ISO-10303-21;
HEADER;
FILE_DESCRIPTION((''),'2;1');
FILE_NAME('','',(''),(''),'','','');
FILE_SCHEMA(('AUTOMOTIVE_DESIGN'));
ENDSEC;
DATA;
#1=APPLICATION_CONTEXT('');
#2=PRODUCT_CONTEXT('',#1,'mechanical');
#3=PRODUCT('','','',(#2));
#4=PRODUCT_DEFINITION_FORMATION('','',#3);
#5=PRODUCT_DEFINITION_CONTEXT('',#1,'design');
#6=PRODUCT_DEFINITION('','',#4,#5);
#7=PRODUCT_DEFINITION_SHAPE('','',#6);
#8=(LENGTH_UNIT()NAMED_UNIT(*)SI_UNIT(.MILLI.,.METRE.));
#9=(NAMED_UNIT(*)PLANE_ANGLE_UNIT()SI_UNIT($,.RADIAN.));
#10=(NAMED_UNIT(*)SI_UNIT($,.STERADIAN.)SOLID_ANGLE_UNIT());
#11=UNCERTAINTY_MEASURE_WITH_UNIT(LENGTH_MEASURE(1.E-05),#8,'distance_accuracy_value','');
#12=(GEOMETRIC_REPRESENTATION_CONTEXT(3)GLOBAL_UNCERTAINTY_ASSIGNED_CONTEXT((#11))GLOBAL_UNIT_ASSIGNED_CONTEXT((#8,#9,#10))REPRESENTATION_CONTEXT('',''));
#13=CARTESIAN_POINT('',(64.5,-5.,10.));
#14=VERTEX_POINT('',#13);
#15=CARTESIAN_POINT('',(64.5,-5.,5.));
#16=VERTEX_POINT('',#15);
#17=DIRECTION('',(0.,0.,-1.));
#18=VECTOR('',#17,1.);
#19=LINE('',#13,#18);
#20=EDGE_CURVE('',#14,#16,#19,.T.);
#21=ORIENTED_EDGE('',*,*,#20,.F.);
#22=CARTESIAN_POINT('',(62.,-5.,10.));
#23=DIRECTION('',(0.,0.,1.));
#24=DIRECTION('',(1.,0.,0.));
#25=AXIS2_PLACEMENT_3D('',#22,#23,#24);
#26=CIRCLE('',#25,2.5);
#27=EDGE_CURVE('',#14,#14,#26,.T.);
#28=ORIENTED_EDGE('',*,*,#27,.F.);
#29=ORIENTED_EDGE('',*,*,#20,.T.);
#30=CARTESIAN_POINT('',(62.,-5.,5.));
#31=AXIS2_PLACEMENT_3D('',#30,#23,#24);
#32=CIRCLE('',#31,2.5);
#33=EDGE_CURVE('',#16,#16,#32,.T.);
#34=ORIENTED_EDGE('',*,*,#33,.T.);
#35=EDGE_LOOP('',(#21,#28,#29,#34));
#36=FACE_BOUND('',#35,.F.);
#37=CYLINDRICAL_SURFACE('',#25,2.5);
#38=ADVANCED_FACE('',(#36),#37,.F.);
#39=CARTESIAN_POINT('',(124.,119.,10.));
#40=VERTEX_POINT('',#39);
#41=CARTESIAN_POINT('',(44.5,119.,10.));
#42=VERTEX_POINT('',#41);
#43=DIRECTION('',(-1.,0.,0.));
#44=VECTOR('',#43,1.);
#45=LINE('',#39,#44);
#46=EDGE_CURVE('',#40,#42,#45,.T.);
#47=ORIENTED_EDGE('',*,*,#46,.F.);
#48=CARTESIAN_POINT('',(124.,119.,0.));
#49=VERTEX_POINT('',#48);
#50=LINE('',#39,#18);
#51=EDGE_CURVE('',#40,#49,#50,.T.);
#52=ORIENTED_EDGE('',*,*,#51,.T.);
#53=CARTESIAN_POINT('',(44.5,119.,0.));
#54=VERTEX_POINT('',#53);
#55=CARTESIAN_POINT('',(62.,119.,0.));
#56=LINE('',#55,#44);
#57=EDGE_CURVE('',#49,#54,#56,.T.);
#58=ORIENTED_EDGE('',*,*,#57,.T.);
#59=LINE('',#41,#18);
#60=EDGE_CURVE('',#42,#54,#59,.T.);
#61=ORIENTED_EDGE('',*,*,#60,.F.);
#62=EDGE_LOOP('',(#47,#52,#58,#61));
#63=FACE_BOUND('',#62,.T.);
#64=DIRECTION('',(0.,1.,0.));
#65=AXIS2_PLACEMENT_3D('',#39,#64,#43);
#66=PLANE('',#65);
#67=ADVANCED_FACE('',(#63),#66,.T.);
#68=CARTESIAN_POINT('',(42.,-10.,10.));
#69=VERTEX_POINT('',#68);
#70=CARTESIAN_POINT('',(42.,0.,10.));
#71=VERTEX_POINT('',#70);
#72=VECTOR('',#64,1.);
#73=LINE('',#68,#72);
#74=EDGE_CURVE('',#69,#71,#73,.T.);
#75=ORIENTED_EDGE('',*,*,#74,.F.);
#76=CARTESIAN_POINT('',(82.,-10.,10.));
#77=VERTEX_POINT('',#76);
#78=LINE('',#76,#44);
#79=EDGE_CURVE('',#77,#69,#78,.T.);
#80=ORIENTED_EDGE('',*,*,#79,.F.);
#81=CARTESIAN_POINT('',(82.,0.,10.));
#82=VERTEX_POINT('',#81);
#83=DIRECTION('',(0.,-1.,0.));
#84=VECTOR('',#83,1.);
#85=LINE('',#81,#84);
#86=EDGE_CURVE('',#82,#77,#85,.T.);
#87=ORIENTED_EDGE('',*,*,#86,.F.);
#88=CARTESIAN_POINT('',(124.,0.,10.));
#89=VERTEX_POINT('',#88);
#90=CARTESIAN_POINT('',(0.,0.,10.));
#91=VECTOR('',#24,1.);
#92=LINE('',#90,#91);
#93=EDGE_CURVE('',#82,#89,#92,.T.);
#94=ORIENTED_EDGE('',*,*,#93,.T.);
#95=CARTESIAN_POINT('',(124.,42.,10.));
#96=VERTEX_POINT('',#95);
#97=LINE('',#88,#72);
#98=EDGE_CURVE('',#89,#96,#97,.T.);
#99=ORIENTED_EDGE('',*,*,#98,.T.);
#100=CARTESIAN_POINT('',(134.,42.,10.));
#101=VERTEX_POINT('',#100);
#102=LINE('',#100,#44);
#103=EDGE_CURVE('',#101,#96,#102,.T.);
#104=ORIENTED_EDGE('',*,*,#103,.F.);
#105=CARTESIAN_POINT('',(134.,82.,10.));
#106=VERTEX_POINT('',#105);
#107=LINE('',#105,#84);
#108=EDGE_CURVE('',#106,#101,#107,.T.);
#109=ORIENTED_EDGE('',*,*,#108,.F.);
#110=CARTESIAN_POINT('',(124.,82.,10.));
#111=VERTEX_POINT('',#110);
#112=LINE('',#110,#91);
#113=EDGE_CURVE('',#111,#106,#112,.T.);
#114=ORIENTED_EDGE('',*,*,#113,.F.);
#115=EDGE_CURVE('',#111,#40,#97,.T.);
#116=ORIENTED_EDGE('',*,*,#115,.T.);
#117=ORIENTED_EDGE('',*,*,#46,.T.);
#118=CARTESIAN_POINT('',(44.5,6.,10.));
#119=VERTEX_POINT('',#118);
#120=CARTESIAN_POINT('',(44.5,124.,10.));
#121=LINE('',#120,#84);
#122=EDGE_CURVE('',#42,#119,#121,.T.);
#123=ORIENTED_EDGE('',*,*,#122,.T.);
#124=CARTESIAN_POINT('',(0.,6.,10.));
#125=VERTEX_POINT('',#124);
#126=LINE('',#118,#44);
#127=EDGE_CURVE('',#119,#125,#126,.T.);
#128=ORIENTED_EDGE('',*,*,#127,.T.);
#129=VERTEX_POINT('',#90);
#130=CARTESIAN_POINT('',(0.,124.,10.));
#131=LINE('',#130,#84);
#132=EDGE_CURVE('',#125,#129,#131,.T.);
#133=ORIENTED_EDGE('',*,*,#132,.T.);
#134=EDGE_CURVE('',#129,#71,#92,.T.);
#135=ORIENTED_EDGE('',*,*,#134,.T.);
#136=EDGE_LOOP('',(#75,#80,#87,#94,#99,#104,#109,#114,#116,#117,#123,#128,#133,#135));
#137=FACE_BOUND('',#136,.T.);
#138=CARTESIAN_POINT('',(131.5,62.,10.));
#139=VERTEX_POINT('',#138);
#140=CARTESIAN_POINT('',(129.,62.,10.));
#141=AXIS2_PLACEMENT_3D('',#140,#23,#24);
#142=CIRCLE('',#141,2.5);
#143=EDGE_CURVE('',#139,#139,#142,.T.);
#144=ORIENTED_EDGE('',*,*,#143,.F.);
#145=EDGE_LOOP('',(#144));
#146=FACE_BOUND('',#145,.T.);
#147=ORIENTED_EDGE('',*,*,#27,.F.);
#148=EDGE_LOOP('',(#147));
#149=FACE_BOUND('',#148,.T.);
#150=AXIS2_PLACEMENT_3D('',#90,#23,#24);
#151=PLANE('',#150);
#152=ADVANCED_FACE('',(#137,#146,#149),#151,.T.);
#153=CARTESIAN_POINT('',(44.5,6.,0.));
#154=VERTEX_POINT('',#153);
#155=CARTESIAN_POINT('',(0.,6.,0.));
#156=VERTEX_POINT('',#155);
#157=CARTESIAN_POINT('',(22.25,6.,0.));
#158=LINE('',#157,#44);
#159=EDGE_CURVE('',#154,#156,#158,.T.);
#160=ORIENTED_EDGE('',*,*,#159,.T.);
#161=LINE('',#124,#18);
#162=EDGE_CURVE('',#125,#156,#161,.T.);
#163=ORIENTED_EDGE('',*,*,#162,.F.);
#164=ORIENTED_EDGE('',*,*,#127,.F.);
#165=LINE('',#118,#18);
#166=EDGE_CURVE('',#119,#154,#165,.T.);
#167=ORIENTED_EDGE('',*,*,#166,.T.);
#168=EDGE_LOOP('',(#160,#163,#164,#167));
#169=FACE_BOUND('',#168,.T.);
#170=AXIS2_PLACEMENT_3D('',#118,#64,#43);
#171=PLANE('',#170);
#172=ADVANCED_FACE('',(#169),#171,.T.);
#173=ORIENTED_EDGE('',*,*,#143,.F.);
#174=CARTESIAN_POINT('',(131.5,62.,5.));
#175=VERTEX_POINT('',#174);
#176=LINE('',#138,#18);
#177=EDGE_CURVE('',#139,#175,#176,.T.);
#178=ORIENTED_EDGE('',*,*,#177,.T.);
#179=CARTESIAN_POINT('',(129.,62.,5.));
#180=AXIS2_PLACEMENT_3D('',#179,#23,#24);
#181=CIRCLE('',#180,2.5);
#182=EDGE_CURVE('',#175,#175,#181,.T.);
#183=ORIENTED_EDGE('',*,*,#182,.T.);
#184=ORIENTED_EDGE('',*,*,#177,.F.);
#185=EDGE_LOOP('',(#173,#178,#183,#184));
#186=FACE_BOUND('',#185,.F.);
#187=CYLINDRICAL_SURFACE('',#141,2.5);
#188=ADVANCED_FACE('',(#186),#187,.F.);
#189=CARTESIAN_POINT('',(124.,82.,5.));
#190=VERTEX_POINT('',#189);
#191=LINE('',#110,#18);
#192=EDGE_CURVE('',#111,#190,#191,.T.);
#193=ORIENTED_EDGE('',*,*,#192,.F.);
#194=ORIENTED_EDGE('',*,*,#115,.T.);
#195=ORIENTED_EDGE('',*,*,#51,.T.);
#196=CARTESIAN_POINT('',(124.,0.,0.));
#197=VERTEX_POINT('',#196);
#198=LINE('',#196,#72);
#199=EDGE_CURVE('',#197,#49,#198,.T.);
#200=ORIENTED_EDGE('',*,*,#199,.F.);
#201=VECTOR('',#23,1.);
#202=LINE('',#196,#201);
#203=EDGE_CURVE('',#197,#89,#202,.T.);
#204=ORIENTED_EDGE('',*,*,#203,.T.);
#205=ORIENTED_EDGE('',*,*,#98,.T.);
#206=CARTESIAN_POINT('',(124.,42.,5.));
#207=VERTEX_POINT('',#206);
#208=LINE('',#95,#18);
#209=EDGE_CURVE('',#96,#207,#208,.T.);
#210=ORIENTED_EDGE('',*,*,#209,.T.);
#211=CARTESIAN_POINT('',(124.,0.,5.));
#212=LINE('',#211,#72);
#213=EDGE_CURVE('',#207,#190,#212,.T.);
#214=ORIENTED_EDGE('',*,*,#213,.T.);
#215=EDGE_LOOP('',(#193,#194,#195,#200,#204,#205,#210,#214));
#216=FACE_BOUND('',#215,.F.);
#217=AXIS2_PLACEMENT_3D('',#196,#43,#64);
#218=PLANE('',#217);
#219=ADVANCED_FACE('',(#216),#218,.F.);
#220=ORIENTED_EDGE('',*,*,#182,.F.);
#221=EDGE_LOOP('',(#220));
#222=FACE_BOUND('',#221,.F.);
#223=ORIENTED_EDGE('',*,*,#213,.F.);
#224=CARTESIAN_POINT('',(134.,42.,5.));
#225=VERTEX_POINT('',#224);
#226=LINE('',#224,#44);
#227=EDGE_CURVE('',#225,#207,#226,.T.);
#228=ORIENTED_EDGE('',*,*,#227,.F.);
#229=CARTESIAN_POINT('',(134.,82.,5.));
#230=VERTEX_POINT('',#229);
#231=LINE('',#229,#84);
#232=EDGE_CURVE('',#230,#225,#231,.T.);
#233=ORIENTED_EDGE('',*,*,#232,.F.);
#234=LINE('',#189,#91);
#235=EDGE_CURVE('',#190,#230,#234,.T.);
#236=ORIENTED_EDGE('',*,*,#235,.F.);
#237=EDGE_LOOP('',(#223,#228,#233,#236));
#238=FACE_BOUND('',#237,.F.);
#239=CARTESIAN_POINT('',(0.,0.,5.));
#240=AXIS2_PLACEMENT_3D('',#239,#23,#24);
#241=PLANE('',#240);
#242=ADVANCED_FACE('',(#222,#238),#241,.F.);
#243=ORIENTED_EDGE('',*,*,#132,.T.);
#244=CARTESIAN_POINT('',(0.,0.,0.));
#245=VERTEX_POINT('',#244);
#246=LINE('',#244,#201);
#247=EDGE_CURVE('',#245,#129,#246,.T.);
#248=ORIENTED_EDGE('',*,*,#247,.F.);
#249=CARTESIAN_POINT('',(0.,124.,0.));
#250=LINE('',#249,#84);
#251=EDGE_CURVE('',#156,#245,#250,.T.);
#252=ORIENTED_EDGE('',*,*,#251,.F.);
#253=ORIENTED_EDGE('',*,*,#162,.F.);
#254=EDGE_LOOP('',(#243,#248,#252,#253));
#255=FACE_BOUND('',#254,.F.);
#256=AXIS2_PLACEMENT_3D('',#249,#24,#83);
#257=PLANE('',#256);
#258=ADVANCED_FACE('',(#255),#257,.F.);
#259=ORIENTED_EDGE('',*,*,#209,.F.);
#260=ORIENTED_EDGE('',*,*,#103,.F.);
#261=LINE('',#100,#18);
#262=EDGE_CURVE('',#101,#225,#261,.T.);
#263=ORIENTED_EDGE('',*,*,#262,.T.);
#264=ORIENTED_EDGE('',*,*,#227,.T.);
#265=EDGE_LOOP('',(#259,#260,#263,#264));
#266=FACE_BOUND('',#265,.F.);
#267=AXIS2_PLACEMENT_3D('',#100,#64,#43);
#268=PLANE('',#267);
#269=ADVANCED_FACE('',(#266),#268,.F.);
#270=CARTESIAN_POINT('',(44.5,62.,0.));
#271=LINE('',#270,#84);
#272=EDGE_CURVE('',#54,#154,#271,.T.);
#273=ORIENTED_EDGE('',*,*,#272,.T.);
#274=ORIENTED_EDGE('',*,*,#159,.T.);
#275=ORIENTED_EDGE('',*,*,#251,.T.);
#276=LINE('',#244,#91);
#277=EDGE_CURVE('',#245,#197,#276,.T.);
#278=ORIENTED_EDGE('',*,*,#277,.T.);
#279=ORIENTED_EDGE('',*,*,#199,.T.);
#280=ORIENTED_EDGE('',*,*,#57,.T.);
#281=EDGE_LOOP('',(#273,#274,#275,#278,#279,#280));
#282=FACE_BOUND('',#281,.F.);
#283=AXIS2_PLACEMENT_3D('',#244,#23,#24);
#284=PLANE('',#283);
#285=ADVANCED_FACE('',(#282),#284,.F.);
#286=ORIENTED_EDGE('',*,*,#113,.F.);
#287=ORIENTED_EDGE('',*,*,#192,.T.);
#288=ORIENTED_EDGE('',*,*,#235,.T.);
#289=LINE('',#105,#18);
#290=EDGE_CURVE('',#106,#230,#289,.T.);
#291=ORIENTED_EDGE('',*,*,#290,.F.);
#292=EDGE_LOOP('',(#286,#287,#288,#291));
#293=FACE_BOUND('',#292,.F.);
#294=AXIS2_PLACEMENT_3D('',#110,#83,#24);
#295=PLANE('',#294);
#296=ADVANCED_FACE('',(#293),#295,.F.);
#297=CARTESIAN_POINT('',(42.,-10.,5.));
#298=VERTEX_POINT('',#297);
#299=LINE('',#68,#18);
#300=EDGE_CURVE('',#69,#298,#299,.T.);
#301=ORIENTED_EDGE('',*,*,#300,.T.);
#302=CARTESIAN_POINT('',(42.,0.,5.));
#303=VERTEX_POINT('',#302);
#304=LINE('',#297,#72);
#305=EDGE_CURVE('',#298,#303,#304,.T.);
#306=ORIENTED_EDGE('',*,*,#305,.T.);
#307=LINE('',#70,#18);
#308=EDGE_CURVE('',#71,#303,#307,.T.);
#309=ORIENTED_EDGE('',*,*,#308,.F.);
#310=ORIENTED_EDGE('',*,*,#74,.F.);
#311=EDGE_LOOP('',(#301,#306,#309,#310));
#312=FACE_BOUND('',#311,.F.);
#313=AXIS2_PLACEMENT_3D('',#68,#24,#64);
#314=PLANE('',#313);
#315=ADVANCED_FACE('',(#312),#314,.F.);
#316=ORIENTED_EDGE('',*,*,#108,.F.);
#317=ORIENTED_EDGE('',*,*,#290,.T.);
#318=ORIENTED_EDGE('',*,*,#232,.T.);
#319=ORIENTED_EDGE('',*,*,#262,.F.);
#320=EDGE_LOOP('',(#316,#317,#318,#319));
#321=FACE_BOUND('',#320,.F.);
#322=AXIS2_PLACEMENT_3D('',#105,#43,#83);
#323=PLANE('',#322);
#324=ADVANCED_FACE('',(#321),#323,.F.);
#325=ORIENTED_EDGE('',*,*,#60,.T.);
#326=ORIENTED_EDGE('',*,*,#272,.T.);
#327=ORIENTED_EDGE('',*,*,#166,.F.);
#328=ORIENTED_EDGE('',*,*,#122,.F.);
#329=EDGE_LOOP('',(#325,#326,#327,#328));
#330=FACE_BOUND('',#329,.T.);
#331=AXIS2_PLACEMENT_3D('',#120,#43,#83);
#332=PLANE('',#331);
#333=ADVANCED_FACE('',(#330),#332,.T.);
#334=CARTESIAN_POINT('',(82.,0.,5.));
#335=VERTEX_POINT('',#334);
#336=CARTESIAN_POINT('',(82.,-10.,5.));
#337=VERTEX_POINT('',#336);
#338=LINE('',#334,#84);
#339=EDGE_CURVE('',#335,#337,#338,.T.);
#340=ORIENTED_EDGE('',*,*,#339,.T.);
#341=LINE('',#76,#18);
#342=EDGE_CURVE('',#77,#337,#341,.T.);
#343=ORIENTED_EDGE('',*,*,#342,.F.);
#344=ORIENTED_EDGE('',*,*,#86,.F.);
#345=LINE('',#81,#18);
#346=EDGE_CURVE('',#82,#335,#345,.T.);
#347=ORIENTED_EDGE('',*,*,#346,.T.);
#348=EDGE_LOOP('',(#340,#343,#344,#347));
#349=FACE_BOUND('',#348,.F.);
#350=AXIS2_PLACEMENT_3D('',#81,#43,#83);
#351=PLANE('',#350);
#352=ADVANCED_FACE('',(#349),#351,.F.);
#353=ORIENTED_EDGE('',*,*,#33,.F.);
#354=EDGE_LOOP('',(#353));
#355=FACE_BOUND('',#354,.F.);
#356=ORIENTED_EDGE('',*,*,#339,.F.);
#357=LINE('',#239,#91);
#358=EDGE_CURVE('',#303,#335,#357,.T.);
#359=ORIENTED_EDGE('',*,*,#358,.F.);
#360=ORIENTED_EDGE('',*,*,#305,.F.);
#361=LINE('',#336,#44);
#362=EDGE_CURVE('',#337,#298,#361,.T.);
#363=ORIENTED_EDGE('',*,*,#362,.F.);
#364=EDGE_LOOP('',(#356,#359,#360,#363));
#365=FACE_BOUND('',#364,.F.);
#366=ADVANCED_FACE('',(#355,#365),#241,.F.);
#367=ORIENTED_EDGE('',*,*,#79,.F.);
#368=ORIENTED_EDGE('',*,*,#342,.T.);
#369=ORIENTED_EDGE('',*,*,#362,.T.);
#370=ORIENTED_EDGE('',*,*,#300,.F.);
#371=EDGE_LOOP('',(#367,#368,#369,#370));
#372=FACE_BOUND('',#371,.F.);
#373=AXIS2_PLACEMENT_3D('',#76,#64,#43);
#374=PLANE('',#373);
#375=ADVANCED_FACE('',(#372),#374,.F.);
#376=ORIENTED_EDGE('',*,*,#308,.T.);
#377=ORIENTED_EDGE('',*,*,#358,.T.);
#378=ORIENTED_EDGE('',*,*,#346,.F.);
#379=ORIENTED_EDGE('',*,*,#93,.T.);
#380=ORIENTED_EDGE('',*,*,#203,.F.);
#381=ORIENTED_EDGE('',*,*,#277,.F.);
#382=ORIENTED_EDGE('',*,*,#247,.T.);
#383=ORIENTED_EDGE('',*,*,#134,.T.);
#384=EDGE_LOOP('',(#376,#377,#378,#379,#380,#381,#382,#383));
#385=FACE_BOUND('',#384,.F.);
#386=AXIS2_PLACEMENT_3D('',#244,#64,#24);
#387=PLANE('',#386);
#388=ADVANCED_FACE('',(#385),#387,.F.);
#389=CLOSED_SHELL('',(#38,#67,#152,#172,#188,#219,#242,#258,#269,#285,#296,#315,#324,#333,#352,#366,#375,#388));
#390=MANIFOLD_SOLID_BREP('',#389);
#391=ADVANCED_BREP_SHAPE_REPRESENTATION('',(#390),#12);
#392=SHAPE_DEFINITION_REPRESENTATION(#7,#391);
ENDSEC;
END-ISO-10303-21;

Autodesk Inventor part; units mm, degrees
ref_plane "YZ Plane" through (0, 0, 0) normal (1, 0, 0) x (0, 1, 0)
ref_plane "XZ Plane" through (0, 0, 0) normal (0, 1, 0) x (-1, 0, 0)
ref_plane "XY Plane" through (0, 0, 0) normal (0, 0, 1) x (1, 0, 0)
sketch "Sketch1" plane through (0, 0, 0) normal (0, 0, 1) x (1, 0, 0)
  line L0 (0, 0) -> (124, 0)
  line L1 (124, 0) -> (124, 124)
  line L2 (124, 124) -> (0, 124)
  line L3 (0, 124) -> (0, 0)
  dimension "d0" = 124
  dimension "d1" = 124
extrude "Extrusion1" add sketch "Sketch1" along normal blind 10
sketch "Sketch2" plane through (0, 0, 10) normal (0, 0, 1) x (1, 0, 0)
  line L0 (124, 0) -> (124, 124) projected
  line L1 (124, 82) -> (134, 82)
  line L2 (134, 82) -> (134, 42)
  line L3 (134, 42) -> (124, 42)
  line L4 (124, 42) -> (124, 82)
  line L5 (0, 0) -> (124, 0) projected
  line L6 (42, 0) -> (82, 0)
  line L7 (82, 0) -> (82, -10)
  line L8 (82, -10) -> (42, -10)
  line L9 (42, -10) -> (42, 0)
  circle A0 centre (129, 62) radius 2.5
  circle A1 centre (62, -5) radius 2.5
  point P0 (129, 82)
  point P1 (62, 0)
  point P2 (62, 0)
  point P3 (62, -10)
  point P4 (134, 62)
  point P5 (124, 62)
  point P6 (124, 62)
  point P7 (42, -5)
  dimension "d4" = 10
  dimension "d5" = 40
  dimension "d6" = 40
  dimension "d7" = 10
  dimension "d8" = 5
  dimension "d9" = 5
extrude "Extrusion2" add sketch "Sketch2" against normal blind 5
sketch "Sketch3" plane through (0, 0, 10) normal (0, 0, 1) x (1, 0, 0)
  line L0 (124, 124) -> (0, 124) projected
  line L1 (0, 124) -> (44.5, 124)
  line L2 (44.5, 124) -> (44.5, 6)
  line L3 (44.5, 6) -> (0, 6)
  line L4 (0, 6) -> (0, 124)
  point P0 (0, 0)
  dimension "d12" = 44.5
  dimension "d13" = 118
extrude "Extrusion3" cut sketch "Sketch3" against normal through all
sketch "Sketch6" plane through (0, 0, 10) normal (0, 0, 1) x (1, 0, 0)
  line L0 (44.5, 124) -> (44.5, 6) projected
  line L1 (124, 0) -> (124, 124) projected
  line L2 (44.5, 124) -> (124, 124)
  line L3 (124, 124) -> (124, 119)
  line L4 (124, 119) -> (44.5, 119)
  line L5 (44.5, 119) -> (44.5, 124)
  point P0 (0, 0)
  dimension "d19" = 5
extrude "Extrusion5" cut sketch "Sketch6" against normal through all
properties part number "TC005" material "ABS Plastic"
